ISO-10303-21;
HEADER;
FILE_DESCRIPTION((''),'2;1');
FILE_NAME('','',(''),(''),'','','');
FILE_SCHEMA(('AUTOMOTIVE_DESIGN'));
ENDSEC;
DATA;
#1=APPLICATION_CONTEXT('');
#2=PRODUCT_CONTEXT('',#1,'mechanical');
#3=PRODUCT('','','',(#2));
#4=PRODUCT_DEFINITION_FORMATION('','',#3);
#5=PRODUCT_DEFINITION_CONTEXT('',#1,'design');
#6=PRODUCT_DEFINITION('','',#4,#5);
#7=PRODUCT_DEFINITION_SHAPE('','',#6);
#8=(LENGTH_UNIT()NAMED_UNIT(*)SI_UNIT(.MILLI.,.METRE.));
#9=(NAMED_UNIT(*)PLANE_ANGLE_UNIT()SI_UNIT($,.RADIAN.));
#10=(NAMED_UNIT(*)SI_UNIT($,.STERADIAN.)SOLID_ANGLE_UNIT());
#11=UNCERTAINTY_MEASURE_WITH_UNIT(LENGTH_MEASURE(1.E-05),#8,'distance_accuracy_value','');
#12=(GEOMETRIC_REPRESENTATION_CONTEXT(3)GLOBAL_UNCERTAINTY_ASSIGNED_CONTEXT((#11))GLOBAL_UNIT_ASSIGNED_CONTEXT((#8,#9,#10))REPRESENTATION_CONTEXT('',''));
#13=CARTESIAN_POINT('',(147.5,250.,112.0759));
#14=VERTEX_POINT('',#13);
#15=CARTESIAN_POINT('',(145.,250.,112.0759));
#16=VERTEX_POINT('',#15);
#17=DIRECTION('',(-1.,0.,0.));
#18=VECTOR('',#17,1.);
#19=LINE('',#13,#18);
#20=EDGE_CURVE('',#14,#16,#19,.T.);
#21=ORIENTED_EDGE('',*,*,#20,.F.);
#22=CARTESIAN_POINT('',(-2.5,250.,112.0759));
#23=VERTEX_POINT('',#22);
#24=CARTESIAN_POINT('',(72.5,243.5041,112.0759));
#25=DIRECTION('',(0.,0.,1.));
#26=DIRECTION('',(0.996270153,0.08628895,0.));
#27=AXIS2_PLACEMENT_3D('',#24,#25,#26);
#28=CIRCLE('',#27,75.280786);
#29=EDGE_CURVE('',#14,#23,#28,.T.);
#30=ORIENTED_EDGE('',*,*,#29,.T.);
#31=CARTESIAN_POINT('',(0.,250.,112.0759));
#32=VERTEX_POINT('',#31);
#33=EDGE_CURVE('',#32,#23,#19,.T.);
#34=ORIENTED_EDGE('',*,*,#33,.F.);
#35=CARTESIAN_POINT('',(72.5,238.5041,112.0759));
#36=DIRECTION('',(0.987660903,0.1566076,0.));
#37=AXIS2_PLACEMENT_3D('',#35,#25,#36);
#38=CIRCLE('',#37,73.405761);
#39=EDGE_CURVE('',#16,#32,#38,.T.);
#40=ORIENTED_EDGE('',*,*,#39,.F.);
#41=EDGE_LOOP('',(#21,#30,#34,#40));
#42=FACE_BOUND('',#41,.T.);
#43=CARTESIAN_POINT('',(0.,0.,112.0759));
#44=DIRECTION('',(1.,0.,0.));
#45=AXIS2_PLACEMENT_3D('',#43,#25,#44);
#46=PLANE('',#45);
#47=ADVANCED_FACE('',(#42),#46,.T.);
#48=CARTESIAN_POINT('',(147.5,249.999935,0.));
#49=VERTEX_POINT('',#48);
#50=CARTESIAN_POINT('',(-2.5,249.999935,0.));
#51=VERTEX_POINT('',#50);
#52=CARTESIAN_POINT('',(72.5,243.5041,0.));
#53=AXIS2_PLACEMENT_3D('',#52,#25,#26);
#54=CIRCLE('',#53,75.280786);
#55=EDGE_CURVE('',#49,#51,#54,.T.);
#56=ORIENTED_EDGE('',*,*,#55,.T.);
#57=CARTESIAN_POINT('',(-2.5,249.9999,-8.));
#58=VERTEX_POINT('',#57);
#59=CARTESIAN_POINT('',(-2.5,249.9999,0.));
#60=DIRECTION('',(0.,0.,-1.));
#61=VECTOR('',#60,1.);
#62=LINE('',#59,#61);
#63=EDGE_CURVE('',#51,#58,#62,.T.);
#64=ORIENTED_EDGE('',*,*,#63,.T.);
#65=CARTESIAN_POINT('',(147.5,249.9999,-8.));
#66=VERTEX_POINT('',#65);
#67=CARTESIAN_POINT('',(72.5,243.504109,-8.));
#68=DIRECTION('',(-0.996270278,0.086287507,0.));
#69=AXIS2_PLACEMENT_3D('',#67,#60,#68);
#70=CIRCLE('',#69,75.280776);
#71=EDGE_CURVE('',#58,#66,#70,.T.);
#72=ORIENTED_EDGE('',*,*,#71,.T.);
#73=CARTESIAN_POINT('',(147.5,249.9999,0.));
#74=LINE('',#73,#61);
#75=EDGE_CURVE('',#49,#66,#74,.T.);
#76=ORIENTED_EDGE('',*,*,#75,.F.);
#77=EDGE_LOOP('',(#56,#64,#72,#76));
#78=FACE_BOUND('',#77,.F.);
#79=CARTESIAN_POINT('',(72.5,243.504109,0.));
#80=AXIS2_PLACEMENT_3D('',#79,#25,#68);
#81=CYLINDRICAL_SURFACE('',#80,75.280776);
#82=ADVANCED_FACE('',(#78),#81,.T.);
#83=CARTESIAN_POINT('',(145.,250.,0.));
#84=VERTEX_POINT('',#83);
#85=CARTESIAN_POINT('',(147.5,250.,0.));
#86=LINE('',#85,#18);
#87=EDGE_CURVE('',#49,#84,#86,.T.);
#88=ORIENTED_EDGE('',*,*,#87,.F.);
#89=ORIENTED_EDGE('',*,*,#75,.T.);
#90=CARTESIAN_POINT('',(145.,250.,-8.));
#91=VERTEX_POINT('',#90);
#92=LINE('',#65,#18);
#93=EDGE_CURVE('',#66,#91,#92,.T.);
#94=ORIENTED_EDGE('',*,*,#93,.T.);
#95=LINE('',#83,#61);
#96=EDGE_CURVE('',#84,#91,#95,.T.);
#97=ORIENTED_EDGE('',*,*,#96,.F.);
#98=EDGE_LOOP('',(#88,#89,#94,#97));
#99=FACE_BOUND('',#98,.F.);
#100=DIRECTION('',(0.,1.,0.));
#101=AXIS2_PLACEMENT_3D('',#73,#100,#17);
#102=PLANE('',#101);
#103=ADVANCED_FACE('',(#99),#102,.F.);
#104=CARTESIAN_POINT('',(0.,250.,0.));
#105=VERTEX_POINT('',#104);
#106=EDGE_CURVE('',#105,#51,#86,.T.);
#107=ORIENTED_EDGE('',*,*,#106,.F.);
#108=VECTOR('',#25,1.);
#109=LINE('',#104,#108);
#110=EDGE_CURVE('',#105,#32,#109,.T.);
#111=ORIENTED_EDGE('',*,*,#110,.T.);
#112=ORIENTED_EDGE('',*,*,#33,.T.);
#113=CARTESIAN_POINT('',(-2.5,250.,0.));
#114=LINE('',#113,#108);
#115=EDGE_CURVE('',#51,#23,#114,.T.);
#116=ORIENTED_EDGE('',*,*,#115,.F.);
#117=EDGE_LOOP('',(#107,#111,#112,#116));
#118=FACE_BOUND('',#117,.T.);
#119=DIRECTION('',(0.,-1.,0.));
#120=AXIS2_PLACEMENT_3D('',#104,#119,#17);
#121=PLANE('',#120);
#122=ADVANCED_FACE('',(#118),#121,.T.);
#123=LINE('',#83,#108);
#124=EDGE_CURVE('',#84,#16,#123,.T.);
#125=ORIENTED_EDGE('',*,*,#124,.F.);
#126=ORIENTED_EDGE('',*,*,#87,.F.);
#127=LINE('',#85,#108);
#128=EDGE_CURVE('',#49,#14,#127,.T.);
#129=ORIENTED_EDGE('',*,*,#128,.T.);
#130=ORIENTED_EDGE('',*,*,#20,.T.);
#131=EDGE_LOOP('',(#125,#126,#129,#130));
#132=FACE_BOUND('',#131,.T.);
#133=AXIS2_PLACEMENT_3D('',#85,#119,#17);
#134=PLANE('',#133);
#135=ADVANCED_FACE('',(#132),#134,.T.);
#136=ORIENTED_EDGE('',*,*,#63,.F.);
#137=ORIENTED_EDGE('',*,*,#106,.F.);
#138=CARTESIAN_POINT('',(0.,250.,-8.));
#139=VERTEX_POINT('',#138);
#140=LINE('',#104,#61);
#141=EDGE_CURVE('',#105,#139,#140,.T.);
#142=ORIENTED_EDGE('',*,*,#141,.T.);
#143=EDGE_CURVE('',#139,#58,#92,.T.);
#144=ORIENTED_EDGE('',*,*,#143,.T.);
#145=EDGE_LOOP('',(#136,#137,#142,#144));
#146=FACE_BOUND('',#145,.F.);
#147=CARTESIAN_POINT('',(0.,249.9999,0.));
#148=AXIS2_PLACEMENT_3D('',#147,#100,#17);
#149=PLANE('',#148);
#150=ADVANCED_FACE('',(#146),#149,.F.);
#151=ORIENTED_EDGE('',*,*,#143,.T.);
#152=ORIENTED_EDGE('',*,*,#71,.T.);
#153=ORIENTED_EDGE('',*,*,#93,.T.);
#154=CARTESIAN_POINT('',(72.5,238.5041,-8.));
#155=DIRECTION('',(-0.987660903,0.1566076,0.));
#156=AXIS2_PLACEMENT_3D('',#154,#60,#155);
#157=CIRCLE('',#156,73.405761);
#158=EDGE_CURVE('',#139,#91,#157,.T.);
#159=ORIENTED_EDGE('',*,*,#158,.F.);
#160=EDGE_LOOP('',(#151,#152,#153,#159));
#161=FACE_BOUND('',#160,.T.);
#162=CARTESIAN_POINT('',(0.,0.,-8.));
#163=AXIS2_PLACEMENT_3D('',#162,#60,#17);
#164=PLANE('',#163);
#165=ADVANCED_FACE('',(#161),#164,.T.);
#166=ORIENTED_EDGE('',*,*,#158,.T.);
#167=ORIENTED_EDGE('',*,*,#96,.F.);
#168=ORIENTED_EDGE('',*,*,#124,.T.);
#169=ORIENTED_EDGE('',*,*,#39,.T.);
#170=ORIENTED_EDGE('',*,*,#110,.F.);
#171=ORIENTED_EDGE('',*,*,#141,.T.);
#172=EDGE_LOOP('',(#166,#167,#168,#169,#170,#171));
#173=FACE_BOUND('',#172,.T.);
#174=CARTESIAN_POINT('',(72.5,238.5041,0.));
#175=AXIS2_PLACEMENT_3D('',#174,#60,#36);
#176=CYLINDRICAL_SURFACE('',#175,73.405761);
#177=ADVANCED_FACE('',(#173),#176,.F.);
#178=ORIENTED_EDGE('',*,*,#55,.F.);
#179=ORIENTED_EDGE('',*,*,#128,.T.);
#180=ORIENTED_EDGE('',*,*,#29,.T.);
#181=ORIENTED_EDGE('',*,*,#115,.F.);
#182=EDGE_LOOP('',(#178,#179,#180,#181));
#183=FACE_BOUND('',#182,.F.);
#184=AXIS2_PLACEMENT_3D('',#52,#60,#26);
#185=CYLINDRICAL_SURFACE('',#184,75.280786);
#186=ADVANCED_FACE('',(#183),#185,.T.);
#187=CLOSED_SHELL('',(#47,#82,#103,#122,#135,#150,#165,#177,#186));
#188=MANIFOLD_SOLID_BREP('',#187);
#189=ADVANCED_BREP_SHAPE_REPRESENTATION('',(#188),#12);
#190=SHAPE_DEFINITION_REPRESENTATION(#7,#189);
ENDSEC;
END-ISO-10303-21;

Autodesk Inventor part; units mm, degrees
ref_plane "Work Plane1" through (0, 0, 0) normal (0, 0, 1) x (1, 0, 0)
sketch "Sketch1" plane through (0, 0, 0) normal (0, 0, 1) x (1, 0, 0)
  line L0 (0, 0) -> (145, 0) projected
  line L1 (145, 0) -> (145, 250) projected
  line L2 (0, 250) -> (145, 250) projected
  line L3 (0, 0) -> (0, 250) projected
  line L4 (147.5, 0) -> (-2.5, 0) projected
  line L5 (-2.5, 0) -> (-2.5, 250) projected
  line L6 (147.5, 250) -> (-2.5, 250) projected
  line L7 (147.5, 0) -> (147.5, 250) projected
  arc A0 (145, 250) -> (0, 250) centre (72.5, 238.5041) ccw
  arc A1 (147.5, 250) -> (-2.5, 250) centre (72.5, 243.5041) ccw
  dimension "d0" = 5
ref_plane "Work Plane2" through (145, 0, 117.0759) normal (0, 0, 1) x (1, 0, 0)
ref_plane "Work Plane4" through (140, 0, 112.0759) normal (0, 0, 1) x (1, 0, 0)
extrude "Extrusion1" add sketch "Sketch1" along normal up to surface (112.0759 mm away) contours L6 A1 A0
sketch "Sketch2" plane through (0, 0, 0) normal (0, 0, -1) x (-1, 0, 0)
  line L0 (-147.5, 249.9999) -> (2.5, 249.9999) projected
  line L1 (2.5, 250) -> (0, 250) projected
  arc A0 (2.5, 250) -> (-147.5, 250) centre (-72.5, 243.5041) ccw projected
  arc A1 (0, 250) -> (-145, 250) centre (-72.5, 238.5041) ccw projected
  line L2 (-145, 250) -> (-147.5, 250) projected
  point P0 (0, 0)
  point P1 (2.5, 249.9999)
  point P2 (-147.5, 249.9999)
ref_plane "Work Plane3" through (-2.5, 0, -8) normal (0, 0, -1) x (0, 1, 0)
extrude "Extrusion2" add sketch "Sketch2" along normal up to surface (8 mm away) contours A0 L0 A1
properties part number "FrontSection2" material "Plastic, Opaque White"
